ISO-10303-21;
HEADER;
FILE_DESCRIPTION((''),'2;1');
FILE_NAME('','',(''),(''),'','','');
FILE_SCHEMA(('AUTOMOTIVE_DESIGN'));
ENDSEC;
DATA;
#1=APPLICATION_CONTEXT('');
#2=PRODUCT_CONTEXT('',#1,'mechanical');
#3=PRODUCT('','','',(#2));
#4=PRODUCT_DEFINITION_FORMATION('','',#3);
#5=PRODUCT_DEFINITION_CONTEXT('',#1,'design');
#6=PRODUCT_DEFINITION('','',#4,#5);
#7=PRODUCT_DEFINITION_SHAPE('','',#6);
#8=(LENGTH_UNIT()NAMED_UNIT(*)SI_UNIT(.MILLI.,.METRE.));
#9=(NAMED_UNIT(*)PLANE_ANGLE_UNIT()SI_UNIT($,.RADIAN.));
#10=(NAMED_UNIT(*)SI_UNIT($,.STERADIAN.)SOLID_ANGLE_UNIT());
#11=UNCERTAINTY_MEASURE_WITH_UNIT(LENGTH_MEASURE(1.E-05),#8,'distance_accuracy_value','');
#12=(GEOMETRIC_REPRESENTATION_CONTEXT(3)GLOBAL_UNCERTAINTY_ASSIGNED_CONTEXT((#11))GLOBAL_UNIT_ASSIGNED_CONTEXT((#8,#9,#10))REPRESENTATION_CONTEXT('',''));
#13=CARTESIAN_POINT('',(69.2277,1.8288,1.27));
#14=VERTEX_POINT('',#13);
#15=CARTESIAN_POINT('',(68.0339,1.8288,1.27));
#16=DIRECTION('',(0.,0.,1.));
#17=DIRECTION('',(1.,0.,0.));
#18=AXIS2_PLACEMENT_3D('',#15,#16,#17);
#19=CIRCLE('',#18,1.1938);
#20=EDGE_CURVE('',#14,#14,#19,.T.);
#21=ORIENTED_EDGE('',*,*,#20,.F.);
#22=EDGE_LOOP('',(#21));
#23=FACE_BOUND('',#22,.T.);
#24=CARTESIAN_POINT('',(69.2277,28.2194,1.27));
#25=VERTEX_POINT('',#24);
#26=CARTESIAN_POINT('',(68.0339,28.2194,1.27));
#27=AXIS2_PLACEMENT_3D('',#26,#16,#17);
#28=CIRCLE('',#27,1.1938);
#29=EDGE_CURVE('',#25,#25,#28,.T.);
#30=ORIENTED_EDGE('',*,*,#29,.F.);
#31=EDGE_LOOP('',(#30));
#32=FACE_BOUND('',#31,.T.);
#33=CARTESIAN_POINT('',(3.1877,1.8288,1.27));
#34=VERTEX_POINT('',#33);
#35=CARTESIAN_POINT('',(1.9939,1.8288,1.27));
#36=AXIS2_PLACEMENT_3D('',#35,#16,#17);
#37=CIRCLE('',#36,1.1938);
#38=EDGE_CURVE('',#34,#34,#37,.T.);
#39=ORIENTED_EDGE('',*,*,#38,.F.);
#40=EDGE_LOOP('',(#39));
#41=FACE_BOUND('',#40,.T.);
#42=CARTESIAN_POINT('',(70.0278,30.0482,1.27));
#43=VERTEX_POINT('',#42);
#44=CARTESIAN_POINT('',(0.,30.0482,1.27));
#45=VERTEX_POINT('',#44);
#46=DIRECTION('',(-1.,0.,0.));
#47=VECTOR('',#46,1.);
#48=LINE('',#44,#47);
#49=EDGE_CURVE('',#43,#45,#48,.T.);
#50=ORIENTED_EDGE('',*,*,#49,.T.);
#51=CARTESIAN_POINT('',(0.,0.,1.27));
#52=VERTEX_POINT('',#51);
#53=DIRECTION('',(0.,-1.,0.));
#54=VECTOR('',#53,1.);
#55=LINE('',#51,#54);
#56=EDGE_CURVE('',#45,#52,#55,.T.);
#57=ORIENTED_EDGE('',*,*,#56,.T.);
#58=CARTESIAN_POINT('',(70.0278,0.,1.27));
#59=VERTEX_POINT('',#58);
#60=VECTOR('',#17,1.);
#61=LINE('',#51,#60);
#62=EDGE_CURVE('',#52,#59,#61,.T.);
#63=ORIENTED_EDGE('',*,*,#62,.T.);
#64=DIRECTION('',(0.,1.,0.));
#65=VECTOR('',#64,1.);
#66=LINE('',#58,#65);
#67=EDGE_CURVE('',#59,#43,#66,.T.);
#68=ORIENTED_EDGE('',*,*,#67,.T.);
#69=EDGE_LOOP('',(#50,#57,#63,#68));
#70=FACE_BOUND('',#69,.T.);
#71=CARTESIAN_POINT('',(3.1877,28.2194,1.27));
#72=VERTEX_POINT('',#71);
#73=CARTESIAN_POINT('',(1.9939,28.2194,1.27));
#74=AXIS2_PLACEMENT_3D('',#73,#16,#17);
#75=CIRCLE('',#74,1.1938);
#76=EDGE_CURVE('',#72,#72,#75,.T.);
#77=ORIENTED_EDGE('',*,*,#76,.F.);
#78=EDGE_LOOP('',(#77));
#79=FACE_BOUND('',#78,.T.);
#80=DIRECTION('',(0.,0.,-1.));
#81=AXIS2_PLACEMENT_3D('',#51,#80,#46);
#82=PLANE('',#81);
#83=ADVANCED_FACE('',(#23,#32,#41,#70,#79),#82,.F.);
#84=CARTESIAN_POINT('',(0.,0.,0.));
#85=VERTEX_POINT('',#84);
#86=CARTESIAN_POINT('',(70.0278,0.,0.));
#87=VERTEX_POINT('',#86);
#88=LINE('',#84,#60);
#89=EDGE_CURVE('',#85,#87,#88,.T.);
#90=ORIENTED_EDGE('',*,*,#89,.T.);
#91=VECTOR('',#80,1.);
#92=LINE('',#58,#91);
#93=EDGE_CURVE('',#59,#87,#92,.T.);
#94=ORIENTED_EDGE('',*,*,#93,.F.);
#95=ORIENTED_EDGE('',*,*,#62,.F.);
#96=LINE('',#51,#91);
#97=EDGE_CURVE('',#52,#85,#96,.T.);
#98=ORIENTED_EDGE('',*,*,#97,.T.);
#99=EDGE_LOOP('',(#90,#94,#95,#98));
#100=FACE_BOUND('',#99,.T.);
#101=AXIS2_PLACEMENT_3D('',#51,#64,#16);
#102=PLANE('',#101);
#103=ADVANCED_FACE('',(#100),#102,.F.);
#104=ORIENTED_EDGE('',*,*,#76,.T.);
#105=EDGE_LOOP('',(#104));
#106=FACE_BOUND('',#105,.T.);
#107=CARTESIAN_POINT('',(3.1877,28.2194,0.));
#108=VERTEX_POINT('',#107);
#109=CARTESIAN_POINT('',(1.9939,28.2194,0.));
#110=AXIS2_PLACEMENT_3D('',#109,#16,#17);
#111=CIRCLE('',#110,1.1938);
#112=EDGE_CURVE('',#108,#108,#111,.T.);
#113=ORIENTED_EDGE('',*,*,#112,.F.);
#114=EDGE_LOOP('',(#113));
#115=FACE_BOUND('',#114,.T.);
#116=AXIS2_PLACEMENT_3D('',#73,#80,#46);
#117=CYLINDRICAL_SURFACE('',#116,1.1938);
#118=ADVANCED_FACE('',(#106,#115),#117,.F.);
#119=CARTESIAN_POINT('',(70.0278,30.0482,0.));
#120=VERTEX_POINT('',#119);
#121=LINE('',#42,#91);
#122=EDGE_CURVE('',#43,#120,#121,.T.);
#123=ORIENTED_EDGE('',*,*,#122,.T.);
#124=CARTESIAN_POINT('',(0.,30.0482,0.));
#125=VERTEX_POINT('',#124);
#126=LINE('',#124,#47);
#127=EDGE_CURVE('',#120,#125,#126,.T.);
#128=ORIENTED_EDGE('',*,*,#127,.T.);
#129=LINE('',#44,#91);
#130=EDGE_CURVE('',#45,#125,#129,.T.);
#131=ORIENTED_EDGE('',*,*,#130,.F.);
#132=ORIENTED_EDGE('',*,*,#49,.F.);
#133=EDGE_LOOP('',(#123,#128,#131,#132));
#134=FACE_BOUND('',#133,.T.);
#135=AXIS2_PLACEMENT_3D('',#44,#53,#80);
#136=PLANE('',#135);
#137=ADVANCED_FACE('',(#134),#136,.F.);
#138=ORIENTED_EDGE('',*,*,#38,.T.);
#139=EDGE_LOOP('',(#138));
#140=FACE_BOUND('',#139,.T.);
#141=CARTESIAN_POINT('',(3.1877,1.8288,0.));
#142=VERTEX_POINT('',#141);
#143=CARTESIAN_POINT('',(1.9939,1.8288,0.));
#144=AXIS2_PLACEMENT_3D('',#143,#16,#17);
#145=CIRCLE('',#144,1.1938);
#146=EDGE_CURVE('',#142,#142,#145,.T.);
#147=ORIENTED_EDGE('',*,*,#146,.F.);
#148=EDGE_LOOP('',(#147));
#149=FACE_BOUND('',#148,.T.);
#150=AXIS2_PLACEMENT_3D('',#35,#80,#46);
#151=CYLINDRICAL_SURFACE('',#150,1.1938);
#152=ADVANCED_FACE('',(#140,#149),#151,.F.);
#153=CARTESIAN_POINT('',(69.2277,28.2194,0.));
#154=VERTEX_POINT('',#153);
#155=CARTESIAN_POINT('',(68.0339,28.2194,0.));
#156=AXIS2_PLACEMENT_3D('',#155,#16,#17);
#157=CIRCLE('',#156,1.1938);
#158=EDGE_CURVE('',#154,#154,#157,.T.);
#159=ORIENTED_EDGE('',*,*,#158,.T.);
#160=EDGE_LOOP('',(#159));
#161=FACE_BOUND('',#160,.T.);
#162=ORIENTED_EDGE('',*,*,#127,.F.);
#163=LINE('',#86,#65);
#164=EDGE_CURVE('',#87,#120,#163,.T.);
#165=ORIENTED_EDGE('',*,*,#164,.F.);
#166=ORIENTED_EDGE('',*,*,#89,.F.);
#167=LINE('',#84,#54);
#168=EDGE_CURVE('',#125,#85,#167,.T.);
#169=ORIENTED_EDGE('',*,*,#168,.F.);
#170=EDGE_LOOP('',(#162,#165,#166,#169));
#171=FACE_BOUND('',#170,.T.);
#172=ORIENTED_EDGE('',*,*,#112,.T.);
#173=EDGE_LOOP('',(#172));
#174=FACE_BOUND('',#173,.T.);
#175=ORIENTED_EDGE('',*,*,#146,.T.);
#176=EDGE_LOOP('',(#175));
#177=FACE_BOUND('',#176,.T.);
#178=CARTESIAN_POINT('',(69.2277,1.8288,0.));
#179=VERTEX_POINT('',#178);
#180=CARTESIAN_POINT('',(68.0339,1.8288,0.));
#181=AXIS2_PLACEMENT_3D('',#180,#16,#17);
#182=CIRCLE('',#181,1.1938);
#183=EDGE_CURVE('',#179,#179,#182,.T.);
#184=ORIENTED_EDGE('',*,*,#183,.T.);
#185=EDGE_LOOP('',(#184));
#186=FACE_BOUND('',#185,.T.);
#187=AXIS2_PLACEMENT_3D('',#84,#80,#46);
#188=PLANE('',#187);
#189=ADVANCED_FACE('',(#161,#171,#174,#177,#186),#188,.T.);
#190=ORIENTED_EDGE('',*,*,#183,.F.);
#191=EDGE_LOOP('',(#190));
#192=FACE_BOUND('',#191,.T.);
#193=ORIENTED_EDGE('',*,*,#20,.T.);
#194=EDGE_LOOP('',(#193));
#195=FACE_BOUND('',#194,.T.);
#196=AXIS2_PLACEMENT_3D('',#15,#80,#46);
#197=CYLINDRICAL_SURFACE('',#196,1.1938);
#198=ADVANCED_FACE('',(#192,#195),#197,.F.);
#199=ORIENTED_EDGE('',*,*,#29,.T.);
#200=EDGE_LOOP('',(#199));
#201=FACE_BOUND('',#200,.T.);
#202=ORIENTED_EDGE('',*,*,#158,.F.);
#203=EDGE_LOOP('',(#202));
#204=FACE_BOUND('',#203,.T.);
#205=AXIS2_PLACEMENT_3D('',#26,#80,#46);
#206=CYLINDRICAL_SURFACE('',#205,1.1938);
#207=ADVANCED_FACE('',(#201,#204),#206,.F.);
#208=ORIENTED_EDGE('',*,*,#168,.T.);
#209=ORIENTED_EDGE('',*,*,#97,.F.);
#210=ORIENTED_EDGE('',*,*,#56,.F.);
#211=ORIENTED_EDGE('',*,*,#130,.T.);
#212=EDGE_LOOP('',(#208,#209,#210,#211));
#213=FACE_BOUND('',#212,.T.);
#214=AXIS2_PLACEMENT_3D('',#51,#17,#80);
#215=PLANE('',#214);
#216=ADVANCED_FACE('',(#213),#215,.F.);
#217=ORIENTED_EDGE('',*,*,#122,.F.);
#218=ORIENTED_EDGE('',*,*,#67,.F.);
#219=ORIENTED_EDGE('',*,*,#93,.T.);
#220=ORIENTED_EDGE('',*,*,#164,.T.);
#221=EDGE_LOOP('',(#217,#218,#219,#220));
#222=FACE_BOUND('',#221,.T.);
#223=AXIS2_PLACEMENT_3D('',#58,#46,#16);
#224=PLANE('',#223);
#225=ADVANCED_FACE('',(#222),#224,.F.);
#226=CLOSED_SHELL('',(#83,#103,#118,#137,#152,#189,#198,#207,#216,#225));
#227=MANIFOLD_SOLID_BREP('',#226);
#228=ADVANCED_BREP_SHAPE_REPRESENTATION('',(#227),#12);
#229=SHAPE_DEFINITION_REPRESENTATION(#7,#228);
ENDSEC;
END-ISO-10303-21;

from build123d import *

# Parameters (mm, degrees)
SKETCH1_W           = 70.0278
SKETCH1_H           = 30.0482
SKETCH1_R           = 1.1938
BOSS_EXTRUDE1_DEPTH = 1.27


with BuildPart() as part:
    # Sketch1 → Boss-Extrude1 (new body)
    with BuildSketch(Plane.XY):
        with Locations((35.0139, 15.0241)):
            Rectangle(SKETCH1_W, SKETCH1_H)
        with Locations((1.9939, 28.2194)):
            Circle(SKETCH1_R, mode=Mode.SUBTRACT)
        with Locations((68.0339, 28.2194)):
            Circle(SKETCH1_R, mode=Mode.SUBTRACT)
        with Locations((1.9939, 1.8288)):
            Circle(SKETCH1_R, mode=Mode.SUBTRACT)
        with Locations((68.0339, 1.8288)):
            Circle(SKETCH1_R, mode=Mode.SUBTRACT)
    extrude(amount=BOSS_EXTRUDE1_DEPTH)


solid = part.part
